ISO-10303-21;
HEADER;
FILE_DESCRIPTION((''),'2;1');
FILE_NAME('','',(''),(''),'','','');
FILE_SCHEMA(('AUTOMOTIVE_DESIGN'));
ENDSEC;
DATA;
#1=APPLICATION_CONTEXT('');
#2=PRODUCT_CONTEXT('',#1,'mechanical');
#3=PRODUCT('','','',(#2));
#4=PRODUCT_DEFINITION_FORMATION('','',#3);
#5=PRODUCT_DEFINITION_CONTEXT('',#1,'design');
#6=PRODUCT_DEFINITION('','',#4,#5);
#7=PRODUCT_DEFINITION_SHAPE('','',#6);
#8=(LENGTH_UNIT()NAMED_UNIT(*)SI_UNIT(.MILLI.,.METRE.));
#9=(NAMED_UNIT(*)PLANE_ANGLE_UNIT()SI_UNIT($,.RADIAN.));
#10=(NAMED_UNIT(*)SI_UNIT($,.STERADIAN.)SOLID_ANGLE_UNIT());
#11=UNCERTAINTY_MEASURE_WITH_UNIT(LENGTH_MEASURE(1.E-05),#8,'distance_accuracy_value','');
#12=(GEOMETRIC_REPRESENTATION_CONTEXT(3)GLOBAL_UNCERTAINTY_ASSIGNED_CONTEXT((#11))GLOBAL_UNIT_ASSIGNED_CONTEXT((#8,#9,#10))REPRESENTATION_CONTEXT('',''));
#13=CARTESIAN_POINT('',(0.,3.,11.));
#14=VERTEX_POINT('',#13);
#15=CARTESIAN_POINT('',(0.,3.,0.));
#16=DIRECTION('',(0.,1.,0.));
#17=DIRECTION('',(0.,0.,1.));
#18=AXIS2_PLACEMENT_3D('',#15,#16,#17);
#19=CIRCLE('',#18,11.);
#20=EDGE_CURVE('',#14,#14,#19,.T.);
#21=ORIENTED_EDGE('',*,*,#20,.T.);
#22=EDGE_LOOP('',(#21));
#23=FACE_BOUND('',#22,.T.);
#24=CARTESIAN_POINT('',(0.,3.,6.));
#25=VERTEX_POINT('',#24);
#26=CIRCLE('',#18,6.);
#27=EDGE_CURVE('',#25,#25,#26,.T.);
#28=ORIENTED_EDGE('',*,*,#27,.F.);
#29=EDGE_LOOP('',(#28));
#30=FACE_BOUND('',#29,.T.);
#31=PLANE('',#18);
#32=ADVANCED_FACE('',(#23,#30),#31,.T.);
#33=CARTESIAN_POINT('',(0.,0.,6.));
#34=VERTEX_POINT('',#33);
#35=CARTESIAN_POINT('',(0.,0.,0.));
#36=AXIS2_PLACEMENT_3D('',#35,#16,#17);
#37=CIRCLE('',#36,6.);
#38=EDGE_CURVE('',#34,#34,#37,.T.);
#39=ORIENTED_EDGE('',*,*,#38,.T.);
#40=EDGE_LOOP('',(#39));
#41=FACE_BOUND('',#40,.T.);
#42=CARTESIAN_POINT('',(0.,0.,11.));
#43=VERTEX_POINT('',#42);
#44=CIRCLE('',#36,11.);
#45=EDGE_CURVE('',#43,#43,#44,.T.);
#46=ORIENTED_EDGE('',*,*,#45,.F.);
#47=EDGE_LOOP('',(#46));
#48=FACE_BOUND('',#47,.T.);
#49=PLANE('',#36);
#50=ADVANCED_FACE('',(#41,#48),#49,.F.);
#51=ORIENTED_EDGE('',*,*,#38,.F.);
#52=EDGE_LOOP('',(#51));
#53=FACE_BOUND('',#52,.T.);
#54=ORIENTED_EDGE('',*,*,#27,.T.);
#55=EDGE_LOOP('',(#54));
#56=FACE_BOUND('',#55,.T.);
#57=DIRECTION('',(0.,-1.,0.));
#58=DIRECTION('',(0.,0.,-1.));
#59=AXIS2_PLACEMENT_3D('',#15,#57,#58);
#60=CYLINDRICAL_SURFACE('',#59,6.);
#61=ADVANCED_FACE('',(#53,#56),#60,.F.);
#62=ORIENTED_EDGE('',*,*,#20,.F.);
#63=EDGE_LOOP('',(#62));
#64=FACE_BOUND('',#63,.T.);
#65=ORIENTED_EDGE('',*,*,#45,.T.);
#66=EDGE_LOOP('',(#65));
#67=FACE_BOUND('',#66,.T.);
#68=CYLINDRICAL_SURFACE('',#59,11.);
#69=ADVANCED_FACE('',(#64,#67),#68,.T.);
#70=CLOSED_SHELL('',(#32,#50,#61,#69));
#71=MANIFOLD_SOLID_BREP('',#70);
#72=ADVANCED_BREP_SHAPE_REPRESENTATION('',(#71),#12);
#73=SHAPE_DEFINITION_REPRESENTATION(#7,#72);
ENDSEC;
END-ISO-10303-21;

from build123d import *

# Parameters (mm, degrees)
SKETCH_1_R      = 11
SKETCH_1_R_2    = 6
EXTRUDE_1_DEPTH = 3


with BuildPart() as part:
    # 草图1 → 凸台-拉伸1 (new body)
    with BuildSketch(Plane(origin=(0, 0, 0), x_dir=(1, 0, 0), z_dir=(0, 1, 0))):
        Circle(SKETCH_1_R)
        Circle(SKETCH_1_R_2, mode=Mode.SUBTRACT)
    extrude(amount=EXTRUDE_1_DEPTH)


solid = part.part
